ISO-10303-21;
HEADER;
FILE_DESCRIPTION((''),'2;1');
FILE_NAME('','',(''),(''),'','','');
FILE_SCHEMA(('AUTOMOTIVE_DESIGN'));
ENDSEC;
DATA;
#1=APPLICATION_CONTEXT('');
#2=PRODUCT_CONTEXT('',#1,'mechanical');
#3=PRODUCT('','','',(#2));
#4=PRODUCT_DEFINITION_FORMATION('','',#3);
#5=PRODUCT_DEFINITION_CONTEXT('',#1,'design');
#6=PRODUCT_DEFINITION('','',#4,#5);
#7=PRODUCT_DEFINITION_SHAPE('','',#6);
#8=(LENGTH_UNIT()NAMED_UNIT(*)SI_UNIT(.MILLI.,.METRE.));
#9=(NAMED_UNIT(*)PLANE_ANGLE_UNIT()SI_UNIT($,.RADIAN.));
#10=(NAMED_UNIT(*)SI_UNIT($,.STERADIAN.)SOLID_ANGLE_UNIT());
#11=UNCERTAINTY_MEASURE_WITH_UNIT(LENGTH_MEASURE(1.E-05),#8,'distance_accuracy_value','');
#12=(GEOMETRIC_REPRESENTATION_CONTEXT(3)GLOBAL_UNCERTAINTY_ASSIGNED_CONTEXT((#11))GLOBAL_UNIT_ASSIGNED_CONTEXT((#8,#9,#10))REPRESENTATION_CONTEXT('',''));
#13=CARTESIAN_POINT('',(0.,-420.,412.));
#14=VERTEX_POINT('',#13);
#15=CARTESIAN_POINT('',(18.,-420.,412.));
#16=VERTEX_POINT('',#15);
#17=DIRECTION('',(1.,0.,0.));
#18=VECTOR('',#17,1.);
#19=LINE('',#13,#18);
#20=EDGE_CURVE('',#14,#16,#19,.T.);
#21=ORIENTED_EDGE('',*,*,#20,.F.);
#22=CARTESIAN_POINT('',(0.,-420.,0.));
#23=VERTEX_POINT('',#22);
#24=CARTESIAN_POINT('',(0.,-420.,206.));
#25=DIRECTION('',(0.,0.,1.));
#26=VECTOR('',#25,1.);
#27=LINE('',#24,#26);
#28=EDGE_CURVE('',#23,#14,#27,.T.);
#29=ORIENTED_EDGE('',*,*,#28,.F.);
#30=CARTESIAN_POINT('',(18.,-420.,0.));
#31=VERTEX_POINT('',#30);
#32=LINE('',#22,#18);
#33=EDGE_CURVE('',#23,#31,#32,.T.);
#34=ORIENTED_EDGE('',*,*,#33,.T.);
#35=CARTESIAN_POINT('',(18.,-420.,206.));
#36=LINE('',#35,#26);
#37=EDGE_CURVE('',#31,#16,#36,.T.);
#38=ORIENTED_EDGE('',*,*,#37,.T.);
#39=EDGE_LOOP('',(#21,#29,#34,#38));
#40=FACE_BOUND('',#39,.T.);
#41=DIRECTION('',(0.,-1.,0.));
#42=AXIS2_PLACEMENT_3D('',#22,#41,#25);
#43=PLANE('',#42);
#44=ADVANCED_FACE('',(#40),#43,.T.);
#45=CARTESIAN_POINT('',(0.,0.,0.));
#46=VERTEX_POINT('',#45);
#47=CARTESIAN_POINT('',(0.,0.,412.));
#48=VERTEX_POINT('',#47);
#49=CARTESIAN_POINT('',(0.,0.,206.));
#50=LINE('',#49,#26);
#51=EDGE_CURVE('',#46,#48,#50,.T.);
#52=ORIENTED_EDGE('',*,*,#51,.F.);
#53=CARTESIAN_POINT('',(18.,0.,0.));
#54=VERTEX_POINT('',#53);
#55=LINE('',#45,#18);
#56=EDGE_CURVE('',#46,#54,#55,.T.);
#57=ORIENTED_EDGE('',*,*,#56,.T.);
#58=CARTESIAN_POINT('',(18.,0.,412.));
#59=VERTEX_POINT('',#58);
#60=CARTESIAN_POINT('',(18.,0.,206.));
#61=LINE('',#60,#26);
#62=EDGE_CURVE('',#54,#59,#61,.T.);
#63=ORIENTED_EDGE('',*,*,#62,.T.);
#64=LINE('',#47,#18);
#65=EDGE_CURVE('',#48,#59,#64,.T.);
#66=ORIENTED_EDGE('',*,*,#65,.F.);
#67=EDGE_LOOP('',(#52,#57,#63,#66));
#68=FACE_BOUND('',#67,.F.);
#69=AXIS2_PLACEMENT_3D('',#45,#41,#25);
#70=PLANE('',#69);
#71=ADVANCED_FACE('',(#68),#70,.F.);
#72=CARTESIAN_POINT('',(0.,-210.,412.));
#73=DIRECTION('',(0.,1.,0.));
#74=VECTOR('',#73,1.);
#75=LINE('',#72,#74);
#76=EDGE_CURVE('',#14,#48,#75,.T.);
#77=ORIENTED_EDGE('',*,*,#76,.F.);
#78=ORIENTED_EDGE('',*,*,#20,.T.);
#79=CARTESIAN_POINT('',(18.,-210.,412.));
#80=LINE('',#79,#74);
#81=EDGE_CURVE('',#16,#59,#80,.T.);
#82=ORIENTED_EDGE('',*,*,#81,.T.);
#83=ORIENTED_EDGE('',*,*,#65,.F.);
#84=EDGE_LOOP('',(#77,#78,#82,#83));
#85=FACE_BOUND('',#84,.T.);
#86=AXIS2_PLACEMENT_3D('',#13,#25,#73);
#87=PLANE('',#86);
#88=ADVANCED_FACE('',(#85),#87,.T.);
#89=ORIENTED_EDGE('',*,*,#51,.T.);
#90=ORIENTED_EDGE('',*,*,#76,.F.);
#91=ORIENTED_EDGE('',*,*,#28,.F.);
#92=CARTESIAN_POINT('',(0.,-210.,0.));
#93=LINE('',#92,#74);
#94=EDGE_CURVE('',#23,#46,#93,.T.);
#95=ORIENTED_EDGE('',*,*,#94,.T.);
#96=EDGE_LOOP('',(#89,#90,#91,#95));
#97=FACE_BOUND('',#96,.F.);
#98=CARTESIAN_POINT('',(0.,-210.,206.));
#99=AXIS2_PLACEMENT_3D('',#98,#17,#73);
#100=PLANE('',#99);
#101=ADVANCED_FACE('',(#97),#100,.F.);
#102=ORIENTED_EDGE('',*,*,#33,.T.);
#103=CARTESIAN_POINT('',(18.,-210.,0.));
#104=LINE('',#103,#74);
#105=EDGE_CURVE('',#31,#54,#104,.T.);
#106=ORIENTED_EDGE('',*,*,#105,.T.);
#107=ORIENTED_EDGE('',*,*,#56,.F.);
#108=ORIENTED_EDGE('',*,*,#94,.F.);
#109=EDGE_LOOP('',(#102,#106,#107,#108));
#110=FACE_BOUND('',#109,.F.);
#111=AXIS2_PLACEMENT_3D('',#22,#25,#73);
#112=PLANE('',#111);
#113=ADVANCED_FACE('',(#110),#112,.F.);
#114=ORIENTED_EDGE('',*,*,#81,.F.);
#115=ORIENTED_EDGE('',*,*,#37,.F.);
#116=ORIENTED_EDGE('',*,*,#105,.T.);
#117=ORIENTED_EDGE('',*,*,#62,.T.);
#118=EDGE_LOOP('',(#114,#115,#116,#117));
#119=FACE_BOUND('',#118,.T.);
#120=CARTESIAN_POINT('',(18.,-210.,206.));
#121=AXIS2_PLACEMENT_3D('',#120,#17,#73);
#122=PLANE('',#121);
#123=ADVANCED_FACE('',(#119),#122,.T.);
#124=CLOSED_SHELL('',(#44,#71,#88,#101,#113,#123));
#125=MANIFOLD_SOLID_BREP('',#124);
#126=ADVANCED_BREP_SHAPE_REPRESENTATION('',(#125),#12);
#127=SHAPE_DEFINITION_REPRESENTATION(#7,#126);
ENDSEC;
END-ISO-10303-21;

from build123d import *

# Parameters (mm, degrees)
SKETCH_W  = 420
SKETCH_H  = 412
PAD_DEPTH = 18


with BuildPart() as part:
    # Sketch → Pad (new body)
    with BuildSketch(Plane.YZ):
        with Locations((-210, 206)):
            Rectangle(SKETCH_W, SKETCH_H)
    extrude(amount=PAD_DEPTH)


solid = part.part
